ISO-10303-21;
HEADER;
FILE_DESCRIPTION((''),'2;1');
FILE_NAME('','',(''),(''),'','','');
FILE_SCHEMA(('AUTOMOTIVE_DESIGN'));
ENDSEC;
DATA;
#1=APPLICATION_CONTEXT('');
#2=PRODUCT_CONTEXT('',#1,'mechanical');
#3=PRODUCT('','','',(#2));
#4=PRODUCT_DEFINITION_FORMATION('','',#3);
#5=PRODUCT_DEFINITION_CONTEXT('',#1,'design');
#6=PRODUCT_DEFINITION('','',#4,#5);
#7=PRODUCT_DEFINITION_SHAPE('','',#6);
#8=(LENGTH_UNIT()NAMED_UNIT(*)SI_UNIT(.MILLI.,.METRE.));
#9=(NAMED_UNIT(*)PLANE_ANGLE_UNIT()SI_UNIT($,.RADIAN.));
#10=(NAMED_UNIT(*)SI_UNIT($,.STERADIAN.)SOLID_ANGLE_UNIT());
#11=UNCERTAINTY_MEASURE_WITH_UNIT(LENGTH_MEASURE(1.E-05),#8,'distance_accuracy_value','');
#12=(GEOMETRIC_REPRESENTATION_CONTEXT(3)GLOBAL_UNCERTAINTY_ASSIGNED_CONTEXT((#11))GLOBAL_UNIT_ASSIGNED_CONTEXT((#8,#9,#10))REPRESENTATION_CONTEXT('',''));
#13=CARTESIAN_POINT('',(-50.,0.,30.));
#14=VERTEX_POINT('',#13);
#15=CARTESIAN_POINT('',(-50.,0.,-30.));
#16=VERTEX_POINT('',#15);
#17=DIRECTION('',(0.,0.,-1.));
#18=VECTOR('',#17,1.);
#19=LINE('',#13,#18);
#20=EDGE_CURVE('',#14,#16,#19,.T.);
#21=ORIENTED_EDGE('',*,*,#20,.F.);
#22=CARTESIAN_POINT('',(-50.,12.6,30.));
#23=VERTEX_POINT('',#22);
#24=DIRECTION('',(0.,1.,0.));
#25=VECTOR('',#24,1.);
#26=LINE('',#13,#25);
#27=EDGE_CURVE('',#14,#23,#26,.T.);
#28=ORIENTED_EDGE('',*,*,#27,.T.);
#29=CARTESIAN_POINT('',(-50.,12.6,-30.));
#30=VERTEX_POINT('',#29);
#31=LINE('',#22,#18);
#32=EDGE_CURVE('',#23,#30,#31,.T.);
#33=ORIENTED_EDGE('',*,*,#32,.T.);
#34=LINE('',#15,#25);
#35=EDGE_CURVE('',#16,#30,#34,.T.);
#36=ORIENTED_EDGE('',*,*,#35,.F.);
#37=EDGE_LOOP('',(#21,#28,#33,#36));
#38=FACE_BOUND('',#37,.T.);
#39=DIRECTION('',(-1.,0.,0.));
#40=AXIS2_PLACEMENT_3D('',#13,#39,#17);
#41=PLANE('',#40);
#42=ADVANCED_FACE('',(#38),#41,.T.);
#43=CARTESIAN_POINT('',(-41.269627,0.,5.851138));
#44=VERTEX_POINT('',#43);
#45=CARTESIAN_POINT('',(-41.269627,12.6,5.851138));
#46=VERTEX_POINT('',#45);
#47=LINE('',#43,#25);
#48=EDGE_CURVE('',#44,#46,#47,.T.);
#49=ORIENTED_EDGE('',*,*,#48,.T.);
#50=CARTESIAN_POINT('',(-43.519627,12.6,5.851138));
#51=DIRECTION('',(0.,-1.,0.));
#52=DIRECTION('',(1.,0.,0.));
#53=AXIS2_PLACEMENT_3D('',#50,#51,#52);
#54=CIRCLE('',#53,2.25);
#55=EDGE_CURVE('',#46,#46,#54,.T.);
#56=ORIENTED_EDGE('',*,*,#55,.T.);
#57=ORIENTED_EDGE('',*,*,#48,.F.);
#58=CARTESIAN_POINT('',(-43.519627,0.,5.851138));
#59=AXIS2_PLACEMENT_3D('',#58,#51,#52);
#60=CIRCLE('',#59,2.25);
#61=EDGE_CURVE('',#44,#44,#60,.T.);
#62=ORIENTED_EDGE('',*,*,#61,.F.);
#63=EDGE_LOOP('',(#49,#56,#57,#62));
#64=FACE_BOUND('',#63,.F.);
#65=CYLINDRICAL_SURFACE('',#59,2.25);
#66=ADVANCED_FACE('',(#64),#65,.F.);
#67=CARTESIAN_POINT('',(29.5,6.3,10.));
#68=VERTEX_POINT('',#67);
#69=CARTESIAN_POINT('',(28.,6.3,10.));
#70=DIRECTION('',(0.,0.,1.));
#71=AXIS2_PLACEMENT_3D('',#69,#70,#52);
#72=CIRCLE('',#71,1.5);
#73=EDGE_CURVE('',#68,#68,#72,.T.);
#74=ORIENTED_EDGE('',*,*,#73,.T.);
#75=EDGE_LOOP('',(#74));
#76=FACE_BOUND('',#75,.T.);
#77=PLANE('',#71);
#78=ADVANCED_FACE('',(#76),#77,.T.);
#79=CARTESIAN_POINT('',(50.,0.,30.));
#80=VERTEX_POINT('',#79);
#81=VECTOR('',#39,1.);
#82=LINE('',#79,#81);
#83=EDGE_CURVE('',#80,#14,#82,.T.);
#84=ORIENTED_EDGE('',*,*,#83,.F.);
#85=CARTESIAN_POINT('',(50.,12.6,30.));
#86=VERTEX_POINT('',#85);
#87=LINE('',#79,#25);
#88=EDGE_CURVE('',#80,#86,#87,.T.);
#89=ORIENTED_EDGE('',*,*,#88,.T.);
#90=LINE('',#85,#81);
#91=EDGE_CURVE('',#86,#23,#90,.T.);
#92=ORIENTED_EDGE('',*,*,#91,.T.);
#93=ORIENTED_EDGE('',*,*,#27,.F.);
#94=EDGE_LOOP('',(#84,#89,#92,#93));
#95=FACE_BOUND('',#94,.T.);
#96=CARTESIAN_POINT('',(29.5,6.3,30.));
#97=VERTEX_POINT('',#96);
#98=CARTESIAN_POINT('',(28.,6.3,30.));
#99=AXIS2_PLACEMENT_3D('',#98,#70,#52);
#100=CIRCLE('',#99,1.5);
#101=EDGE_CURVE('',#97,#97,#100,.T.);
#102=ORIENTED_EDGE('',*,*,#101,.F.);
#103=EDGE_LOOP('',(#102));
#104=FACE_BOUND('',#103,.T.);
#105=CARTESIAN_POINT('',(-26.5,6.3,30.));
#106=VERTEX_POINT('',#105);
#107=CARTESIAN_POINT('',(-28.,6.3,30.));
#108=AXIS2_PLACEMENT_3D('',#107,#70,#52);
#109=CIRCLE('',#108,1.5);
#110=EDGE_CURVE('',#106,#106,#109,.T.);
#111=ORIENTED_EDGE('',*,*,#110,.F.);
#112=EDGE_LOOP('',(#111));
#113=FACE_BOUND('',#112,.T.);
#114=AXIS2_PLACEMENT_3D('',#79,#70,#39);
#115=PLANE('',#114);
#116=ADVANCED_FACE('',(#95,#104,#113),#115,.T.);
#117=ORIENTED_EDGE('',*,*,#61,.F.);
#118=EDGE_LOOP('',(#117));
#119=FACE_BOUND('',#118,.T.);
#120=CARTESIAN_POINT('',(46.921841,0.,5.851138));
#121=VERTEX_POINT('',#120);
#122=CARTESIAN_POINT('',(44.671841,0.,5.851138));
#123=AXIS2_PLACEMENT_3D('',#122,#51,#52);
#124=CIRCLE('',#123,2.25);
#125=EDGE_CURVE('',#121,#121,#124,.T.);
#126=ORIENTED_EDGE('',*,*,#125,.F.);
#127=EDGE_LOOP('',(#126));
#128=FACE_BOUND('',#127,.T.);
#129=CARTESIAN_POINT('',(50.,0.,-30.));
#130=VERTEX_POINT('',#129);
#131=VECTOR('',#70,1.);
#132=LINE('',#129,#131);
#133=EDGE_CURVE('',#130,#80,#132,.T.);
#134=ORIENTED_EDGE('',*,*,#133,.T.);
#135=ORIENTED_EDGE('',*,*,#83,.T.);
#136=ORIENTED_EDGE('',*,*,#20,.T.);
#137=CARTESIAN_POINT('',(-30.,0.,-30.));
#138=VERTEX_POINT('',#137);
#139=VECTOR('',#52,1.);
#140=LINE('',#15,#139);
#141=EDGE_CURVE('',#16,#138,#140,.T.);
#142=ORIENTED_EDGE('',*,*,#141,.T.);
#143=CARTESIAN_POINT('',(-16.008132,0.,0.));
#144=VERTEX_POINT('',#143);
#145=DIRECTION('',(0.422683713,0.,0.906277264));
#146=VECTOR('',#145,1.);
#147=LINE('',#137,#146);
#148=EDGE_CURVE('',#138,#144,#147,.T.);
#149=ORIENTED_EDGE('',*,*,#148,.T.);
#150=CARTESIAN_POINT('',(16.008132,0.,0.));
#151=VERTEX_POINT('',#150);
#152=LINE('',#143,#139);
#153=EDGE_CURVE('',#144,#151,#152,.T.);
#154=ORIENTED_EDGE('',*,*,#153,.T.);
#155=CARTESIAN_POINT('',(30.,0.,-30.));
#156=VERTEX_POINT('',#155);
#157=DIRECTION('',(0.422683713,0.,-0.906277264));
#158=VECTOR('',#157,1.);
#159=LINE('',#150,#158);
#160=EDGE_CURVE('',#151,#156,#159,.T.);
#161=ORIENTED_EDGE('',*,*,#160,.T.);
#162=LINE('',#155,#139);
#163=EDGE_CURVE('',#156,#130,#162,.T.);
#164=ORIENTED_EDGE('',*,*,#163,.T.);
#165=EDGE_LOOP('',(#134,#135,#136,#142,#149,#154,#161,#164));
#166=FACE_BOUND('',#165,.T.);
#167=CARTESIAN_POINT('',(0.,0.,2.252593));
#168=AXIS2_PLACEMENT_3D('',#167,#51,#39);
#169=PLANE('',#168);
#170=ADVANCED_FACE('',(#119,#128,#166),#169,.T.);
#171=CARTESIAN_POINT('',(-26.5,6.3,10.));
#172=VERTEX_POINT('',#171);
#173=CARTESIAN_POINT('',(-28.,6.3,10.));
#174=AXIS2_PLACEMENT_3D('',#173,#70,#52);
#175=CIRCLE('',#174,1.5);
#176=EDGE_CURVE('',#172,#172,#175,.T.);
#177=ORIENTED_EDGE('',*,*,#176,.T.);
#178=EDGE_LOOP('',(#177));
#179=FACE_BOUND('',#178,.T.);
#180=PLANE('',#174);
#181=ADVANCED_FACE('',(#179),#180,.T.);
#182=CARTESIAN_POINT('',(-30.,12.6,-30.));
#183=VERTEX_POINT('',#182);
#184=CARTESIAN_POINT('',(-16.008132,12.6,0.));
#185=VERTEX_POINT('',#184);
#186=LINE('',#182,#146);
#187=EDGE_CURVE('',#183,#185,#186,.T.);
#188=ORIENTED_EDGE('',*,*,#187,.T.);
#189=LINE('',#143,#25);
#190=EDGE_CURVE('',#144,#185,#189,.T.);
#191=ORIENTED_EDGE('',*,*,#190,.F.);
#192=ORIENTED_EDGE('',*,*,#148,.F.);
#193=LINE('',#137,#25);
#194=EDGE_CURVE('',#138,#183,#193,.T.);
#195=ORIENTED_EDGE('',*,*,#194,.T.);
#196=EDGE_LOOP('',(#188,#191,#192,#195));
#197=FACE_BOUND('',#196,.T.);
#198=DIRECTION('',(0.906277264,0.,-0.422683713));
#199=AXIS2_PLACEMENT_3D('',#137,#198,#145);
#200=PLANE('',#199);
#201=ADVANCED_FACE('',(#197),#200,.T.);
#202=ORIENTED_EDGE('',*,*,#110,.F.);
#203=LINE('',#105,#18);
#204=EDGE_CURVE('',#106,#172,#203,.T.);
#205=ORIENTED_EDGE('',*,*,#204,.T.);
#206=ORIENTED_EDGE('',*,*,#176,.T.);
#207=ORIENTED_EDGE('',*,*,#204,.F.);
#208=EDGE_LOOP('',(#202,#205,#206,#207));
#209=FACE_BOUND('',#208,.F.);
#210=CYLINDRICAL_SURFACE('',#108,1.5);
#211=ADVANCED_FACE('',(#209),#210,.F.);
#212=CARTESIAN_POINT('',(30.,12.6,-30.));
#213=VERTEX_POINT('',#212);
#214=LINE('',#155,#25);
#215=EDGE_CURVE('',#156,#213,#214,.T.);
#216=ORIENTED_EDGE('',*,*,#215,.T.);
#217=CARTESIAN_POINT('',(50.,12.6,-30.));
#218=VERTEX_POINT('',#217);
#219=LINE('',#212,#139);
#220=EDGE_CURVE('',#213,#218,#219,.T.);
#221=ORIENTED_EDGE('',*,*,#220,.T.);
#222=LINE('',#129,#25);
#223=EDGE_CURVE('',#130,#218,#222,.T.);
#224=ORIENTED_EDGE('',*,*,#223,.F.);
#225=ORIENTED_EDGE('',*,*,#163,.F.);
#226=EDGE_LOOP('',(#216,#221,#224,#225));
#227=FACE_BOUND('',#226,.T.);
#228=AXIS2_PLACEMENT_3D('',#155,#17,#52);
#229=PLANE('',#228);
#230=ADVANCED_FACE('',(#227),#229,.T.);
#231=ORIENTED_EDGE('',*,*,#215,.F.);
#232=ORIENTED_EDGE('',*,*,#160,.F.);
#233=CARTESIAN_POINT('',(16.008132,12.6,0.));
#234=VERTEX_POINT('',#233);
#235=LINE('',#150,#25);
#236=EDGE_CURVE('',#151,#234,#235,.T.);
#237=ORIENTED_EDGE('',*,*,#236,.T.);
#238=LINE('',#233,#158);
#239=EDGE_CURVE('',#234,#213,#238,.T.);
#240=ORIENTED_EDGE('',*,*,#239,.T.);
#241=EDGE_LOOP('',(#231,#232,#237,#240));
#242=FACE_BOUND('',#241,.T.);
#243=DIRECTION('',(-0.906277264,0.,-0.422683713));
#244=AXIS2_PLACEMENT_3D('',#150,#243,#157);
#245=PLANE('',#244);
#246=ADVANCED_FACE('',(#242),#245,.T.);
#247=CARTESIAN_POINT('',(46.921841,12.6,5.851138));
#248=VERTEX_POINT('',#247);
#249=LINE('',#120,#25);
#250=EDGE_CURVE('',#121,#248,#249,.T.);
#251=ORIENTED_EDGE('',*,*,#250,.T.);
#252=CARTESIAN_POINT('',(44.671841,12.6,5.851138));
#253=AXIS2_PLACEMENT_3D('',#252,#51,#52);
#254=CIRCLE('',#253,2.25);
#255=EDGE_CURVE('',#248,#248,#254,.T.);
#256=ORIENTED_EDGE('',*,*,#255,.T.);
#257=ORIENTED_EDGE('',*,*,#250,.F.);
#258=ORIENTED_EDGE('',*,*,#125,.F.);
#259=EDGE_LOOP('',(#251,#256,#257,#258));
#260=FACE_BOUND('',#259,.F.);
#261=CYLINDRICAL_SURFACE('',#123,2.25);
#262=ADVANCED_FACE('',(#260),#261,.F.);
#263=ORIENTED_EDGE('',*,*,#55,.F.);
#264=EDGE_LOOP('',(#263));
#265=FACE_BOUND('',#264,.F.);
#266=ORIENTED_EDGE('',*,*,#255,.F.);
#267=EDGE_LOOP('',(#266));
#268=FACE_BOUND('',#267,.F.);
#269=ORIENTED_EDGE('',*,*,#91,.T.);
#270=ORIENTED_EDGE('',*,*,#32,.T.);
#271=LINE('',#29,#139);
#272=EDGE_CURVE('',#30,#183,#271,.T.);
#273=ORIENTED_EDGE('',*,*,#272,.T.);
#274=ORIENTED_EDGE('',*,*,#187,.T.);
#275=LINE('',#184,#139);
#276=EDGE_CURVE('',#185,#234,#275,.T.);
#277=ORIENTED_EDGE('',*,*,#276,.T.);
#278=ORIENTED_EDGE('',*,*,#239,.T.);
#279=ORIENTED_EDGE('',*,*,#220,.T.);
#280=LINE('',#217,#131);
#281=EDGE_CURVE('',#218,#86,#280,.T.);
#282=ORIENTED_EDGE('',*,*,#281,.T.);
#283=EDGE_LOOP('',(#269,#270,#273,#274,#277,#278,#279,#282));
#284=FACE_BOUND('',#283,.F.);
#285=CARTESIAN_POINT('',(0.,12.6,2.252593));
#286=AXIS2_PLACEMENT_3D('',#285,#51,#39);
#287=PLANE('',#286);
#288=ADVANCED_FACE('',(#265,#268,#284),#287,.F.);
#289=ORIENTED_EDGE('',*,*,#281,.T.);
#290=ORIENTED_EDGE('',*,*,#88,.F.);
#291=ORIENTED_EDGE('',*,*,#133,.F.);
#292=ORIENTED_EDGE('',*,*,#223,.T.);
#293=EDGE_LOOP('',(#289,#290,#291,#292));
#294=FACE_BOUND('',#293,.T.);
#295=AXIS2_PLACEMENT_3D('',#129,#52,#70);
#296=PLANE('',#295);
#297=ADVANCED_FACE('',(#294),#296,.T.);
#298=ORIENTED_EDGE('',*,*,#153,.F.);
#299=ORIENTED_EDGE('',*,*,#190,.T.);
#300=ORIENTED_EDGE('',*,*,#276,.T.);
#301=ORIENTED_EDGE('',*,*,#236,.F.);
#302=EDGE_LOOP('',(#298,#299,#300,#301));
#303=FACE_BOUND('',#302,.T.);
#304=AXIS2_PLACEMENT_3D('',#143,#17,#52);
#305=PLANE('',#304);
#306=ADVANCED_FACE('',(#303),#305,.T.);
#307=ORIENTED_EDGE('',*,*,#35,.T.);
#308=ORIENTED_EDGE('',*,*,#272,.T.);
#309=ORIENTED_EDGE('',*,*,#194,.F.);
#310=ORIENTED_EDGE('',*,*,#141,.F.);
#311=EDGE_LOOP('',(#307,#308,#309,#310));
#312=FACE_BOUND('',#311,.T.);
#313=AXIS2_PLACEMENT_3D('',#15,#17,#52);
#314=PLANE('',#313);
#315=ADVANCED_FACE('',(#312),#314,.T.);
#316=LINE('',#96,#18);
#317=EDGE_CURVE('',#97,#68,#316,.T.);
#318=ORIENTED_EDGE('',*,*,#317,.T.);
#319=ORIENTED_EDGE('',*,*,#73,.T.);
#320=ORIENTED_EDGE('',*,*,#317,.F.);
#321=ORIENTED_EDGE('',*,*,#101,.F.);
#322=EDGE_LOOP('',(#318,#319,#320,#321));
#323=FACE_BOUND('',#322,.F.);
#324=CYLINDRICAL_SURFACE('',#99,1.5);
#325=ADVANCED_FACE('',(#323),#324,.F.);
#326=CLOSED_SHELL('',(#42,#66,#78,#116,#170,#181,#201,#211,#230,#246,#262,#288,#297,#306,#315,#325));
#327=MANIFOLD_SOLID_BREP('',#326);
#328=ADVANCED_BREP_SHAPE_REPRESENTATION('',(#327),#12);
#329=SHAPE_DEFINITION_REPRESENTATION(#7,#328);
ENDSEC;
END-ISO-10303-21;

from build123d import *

# Parameters (mm, degrees)
BOSS_EXTRUDE1_DEPTH = 12.6
SKETCH2_R           = 1.5
CUT_EXTRUDE1_DEPTH  = 20
CUT_EXTRUDE2_REACH  = 14.6
SKETCH3_R           = 2.25


with BuildPart() as part:
    # Sketch1 → Boss-Extrude1 (new body)
    with BuildSketch(Plane(origin=(0, 0, 0), x_dir=(1, 0, 0), z_dir=(0, 1, 0))):
        Polygon((-30, 30), (-16.00813249, 0), (16.00813249, 0), (30, 30), (50, 30), (50, -30), (-50, -30), (-50, 30), align=None)
    extrude(amount=BOSS_EXTRUDE1_DEPTH)

    # Sketch2 → Cut-Extrude1 (cut)
    with BuildSketch(Plane.XY.offset(30)):
        with Locations((-28, 6.3)):
            Circle(SKETCH2_R)
        with Locations((28, 6.3)):
            Circle(SKETCH2_R)
    extrude(amount=-CUT_EXTRUDE1_DEPTH, mode=Mode.SUBTRACT)

    # Sketch3 → Cut-Extrude2 (cut, up to next)
    with BuildSketch(Plane.XZ, mode=Mode.PRIVATE) as cut_extrude2_sk1:
        with Locations((44.671841303, 5.85113754)):
            Circle(SKETCH3_R)
    cut_extrude2_tool1 = extrude(cut_extrude2_sk1.sketch, amount=-CUT_EXTRUDE2_REACH, mode=Mode.PRIVATE) & part.part
    add(cut_extrude2_tool1.solids().sort_by_distance((44.671841, 0, 5.851138))[0], mode=Mode.SUBTRACT)
    # Sketch3 → Cut-Extrude2 (cut, up to next)
    with BuildSketch(Plane.XZ, mode=Mode.PRIVATE) as cut_extrude2_sk2:
        with Locations((-43.519626776, 5.85113754)):
            Circle(SKETCH3_R)
    cut_extrude2_tool2 = extrude(cut_extrude2_sk2.sketch, amount=-CUT_EXTRUDE2_REACH, mode=Mode.PRIVATE) & part.part
    add(cut_extrude2_tool2.solids().sort_by_distance((-43.519627, 0, 5.851138))[0], mode=Mode.SUBTRACT)


solid = part.part
